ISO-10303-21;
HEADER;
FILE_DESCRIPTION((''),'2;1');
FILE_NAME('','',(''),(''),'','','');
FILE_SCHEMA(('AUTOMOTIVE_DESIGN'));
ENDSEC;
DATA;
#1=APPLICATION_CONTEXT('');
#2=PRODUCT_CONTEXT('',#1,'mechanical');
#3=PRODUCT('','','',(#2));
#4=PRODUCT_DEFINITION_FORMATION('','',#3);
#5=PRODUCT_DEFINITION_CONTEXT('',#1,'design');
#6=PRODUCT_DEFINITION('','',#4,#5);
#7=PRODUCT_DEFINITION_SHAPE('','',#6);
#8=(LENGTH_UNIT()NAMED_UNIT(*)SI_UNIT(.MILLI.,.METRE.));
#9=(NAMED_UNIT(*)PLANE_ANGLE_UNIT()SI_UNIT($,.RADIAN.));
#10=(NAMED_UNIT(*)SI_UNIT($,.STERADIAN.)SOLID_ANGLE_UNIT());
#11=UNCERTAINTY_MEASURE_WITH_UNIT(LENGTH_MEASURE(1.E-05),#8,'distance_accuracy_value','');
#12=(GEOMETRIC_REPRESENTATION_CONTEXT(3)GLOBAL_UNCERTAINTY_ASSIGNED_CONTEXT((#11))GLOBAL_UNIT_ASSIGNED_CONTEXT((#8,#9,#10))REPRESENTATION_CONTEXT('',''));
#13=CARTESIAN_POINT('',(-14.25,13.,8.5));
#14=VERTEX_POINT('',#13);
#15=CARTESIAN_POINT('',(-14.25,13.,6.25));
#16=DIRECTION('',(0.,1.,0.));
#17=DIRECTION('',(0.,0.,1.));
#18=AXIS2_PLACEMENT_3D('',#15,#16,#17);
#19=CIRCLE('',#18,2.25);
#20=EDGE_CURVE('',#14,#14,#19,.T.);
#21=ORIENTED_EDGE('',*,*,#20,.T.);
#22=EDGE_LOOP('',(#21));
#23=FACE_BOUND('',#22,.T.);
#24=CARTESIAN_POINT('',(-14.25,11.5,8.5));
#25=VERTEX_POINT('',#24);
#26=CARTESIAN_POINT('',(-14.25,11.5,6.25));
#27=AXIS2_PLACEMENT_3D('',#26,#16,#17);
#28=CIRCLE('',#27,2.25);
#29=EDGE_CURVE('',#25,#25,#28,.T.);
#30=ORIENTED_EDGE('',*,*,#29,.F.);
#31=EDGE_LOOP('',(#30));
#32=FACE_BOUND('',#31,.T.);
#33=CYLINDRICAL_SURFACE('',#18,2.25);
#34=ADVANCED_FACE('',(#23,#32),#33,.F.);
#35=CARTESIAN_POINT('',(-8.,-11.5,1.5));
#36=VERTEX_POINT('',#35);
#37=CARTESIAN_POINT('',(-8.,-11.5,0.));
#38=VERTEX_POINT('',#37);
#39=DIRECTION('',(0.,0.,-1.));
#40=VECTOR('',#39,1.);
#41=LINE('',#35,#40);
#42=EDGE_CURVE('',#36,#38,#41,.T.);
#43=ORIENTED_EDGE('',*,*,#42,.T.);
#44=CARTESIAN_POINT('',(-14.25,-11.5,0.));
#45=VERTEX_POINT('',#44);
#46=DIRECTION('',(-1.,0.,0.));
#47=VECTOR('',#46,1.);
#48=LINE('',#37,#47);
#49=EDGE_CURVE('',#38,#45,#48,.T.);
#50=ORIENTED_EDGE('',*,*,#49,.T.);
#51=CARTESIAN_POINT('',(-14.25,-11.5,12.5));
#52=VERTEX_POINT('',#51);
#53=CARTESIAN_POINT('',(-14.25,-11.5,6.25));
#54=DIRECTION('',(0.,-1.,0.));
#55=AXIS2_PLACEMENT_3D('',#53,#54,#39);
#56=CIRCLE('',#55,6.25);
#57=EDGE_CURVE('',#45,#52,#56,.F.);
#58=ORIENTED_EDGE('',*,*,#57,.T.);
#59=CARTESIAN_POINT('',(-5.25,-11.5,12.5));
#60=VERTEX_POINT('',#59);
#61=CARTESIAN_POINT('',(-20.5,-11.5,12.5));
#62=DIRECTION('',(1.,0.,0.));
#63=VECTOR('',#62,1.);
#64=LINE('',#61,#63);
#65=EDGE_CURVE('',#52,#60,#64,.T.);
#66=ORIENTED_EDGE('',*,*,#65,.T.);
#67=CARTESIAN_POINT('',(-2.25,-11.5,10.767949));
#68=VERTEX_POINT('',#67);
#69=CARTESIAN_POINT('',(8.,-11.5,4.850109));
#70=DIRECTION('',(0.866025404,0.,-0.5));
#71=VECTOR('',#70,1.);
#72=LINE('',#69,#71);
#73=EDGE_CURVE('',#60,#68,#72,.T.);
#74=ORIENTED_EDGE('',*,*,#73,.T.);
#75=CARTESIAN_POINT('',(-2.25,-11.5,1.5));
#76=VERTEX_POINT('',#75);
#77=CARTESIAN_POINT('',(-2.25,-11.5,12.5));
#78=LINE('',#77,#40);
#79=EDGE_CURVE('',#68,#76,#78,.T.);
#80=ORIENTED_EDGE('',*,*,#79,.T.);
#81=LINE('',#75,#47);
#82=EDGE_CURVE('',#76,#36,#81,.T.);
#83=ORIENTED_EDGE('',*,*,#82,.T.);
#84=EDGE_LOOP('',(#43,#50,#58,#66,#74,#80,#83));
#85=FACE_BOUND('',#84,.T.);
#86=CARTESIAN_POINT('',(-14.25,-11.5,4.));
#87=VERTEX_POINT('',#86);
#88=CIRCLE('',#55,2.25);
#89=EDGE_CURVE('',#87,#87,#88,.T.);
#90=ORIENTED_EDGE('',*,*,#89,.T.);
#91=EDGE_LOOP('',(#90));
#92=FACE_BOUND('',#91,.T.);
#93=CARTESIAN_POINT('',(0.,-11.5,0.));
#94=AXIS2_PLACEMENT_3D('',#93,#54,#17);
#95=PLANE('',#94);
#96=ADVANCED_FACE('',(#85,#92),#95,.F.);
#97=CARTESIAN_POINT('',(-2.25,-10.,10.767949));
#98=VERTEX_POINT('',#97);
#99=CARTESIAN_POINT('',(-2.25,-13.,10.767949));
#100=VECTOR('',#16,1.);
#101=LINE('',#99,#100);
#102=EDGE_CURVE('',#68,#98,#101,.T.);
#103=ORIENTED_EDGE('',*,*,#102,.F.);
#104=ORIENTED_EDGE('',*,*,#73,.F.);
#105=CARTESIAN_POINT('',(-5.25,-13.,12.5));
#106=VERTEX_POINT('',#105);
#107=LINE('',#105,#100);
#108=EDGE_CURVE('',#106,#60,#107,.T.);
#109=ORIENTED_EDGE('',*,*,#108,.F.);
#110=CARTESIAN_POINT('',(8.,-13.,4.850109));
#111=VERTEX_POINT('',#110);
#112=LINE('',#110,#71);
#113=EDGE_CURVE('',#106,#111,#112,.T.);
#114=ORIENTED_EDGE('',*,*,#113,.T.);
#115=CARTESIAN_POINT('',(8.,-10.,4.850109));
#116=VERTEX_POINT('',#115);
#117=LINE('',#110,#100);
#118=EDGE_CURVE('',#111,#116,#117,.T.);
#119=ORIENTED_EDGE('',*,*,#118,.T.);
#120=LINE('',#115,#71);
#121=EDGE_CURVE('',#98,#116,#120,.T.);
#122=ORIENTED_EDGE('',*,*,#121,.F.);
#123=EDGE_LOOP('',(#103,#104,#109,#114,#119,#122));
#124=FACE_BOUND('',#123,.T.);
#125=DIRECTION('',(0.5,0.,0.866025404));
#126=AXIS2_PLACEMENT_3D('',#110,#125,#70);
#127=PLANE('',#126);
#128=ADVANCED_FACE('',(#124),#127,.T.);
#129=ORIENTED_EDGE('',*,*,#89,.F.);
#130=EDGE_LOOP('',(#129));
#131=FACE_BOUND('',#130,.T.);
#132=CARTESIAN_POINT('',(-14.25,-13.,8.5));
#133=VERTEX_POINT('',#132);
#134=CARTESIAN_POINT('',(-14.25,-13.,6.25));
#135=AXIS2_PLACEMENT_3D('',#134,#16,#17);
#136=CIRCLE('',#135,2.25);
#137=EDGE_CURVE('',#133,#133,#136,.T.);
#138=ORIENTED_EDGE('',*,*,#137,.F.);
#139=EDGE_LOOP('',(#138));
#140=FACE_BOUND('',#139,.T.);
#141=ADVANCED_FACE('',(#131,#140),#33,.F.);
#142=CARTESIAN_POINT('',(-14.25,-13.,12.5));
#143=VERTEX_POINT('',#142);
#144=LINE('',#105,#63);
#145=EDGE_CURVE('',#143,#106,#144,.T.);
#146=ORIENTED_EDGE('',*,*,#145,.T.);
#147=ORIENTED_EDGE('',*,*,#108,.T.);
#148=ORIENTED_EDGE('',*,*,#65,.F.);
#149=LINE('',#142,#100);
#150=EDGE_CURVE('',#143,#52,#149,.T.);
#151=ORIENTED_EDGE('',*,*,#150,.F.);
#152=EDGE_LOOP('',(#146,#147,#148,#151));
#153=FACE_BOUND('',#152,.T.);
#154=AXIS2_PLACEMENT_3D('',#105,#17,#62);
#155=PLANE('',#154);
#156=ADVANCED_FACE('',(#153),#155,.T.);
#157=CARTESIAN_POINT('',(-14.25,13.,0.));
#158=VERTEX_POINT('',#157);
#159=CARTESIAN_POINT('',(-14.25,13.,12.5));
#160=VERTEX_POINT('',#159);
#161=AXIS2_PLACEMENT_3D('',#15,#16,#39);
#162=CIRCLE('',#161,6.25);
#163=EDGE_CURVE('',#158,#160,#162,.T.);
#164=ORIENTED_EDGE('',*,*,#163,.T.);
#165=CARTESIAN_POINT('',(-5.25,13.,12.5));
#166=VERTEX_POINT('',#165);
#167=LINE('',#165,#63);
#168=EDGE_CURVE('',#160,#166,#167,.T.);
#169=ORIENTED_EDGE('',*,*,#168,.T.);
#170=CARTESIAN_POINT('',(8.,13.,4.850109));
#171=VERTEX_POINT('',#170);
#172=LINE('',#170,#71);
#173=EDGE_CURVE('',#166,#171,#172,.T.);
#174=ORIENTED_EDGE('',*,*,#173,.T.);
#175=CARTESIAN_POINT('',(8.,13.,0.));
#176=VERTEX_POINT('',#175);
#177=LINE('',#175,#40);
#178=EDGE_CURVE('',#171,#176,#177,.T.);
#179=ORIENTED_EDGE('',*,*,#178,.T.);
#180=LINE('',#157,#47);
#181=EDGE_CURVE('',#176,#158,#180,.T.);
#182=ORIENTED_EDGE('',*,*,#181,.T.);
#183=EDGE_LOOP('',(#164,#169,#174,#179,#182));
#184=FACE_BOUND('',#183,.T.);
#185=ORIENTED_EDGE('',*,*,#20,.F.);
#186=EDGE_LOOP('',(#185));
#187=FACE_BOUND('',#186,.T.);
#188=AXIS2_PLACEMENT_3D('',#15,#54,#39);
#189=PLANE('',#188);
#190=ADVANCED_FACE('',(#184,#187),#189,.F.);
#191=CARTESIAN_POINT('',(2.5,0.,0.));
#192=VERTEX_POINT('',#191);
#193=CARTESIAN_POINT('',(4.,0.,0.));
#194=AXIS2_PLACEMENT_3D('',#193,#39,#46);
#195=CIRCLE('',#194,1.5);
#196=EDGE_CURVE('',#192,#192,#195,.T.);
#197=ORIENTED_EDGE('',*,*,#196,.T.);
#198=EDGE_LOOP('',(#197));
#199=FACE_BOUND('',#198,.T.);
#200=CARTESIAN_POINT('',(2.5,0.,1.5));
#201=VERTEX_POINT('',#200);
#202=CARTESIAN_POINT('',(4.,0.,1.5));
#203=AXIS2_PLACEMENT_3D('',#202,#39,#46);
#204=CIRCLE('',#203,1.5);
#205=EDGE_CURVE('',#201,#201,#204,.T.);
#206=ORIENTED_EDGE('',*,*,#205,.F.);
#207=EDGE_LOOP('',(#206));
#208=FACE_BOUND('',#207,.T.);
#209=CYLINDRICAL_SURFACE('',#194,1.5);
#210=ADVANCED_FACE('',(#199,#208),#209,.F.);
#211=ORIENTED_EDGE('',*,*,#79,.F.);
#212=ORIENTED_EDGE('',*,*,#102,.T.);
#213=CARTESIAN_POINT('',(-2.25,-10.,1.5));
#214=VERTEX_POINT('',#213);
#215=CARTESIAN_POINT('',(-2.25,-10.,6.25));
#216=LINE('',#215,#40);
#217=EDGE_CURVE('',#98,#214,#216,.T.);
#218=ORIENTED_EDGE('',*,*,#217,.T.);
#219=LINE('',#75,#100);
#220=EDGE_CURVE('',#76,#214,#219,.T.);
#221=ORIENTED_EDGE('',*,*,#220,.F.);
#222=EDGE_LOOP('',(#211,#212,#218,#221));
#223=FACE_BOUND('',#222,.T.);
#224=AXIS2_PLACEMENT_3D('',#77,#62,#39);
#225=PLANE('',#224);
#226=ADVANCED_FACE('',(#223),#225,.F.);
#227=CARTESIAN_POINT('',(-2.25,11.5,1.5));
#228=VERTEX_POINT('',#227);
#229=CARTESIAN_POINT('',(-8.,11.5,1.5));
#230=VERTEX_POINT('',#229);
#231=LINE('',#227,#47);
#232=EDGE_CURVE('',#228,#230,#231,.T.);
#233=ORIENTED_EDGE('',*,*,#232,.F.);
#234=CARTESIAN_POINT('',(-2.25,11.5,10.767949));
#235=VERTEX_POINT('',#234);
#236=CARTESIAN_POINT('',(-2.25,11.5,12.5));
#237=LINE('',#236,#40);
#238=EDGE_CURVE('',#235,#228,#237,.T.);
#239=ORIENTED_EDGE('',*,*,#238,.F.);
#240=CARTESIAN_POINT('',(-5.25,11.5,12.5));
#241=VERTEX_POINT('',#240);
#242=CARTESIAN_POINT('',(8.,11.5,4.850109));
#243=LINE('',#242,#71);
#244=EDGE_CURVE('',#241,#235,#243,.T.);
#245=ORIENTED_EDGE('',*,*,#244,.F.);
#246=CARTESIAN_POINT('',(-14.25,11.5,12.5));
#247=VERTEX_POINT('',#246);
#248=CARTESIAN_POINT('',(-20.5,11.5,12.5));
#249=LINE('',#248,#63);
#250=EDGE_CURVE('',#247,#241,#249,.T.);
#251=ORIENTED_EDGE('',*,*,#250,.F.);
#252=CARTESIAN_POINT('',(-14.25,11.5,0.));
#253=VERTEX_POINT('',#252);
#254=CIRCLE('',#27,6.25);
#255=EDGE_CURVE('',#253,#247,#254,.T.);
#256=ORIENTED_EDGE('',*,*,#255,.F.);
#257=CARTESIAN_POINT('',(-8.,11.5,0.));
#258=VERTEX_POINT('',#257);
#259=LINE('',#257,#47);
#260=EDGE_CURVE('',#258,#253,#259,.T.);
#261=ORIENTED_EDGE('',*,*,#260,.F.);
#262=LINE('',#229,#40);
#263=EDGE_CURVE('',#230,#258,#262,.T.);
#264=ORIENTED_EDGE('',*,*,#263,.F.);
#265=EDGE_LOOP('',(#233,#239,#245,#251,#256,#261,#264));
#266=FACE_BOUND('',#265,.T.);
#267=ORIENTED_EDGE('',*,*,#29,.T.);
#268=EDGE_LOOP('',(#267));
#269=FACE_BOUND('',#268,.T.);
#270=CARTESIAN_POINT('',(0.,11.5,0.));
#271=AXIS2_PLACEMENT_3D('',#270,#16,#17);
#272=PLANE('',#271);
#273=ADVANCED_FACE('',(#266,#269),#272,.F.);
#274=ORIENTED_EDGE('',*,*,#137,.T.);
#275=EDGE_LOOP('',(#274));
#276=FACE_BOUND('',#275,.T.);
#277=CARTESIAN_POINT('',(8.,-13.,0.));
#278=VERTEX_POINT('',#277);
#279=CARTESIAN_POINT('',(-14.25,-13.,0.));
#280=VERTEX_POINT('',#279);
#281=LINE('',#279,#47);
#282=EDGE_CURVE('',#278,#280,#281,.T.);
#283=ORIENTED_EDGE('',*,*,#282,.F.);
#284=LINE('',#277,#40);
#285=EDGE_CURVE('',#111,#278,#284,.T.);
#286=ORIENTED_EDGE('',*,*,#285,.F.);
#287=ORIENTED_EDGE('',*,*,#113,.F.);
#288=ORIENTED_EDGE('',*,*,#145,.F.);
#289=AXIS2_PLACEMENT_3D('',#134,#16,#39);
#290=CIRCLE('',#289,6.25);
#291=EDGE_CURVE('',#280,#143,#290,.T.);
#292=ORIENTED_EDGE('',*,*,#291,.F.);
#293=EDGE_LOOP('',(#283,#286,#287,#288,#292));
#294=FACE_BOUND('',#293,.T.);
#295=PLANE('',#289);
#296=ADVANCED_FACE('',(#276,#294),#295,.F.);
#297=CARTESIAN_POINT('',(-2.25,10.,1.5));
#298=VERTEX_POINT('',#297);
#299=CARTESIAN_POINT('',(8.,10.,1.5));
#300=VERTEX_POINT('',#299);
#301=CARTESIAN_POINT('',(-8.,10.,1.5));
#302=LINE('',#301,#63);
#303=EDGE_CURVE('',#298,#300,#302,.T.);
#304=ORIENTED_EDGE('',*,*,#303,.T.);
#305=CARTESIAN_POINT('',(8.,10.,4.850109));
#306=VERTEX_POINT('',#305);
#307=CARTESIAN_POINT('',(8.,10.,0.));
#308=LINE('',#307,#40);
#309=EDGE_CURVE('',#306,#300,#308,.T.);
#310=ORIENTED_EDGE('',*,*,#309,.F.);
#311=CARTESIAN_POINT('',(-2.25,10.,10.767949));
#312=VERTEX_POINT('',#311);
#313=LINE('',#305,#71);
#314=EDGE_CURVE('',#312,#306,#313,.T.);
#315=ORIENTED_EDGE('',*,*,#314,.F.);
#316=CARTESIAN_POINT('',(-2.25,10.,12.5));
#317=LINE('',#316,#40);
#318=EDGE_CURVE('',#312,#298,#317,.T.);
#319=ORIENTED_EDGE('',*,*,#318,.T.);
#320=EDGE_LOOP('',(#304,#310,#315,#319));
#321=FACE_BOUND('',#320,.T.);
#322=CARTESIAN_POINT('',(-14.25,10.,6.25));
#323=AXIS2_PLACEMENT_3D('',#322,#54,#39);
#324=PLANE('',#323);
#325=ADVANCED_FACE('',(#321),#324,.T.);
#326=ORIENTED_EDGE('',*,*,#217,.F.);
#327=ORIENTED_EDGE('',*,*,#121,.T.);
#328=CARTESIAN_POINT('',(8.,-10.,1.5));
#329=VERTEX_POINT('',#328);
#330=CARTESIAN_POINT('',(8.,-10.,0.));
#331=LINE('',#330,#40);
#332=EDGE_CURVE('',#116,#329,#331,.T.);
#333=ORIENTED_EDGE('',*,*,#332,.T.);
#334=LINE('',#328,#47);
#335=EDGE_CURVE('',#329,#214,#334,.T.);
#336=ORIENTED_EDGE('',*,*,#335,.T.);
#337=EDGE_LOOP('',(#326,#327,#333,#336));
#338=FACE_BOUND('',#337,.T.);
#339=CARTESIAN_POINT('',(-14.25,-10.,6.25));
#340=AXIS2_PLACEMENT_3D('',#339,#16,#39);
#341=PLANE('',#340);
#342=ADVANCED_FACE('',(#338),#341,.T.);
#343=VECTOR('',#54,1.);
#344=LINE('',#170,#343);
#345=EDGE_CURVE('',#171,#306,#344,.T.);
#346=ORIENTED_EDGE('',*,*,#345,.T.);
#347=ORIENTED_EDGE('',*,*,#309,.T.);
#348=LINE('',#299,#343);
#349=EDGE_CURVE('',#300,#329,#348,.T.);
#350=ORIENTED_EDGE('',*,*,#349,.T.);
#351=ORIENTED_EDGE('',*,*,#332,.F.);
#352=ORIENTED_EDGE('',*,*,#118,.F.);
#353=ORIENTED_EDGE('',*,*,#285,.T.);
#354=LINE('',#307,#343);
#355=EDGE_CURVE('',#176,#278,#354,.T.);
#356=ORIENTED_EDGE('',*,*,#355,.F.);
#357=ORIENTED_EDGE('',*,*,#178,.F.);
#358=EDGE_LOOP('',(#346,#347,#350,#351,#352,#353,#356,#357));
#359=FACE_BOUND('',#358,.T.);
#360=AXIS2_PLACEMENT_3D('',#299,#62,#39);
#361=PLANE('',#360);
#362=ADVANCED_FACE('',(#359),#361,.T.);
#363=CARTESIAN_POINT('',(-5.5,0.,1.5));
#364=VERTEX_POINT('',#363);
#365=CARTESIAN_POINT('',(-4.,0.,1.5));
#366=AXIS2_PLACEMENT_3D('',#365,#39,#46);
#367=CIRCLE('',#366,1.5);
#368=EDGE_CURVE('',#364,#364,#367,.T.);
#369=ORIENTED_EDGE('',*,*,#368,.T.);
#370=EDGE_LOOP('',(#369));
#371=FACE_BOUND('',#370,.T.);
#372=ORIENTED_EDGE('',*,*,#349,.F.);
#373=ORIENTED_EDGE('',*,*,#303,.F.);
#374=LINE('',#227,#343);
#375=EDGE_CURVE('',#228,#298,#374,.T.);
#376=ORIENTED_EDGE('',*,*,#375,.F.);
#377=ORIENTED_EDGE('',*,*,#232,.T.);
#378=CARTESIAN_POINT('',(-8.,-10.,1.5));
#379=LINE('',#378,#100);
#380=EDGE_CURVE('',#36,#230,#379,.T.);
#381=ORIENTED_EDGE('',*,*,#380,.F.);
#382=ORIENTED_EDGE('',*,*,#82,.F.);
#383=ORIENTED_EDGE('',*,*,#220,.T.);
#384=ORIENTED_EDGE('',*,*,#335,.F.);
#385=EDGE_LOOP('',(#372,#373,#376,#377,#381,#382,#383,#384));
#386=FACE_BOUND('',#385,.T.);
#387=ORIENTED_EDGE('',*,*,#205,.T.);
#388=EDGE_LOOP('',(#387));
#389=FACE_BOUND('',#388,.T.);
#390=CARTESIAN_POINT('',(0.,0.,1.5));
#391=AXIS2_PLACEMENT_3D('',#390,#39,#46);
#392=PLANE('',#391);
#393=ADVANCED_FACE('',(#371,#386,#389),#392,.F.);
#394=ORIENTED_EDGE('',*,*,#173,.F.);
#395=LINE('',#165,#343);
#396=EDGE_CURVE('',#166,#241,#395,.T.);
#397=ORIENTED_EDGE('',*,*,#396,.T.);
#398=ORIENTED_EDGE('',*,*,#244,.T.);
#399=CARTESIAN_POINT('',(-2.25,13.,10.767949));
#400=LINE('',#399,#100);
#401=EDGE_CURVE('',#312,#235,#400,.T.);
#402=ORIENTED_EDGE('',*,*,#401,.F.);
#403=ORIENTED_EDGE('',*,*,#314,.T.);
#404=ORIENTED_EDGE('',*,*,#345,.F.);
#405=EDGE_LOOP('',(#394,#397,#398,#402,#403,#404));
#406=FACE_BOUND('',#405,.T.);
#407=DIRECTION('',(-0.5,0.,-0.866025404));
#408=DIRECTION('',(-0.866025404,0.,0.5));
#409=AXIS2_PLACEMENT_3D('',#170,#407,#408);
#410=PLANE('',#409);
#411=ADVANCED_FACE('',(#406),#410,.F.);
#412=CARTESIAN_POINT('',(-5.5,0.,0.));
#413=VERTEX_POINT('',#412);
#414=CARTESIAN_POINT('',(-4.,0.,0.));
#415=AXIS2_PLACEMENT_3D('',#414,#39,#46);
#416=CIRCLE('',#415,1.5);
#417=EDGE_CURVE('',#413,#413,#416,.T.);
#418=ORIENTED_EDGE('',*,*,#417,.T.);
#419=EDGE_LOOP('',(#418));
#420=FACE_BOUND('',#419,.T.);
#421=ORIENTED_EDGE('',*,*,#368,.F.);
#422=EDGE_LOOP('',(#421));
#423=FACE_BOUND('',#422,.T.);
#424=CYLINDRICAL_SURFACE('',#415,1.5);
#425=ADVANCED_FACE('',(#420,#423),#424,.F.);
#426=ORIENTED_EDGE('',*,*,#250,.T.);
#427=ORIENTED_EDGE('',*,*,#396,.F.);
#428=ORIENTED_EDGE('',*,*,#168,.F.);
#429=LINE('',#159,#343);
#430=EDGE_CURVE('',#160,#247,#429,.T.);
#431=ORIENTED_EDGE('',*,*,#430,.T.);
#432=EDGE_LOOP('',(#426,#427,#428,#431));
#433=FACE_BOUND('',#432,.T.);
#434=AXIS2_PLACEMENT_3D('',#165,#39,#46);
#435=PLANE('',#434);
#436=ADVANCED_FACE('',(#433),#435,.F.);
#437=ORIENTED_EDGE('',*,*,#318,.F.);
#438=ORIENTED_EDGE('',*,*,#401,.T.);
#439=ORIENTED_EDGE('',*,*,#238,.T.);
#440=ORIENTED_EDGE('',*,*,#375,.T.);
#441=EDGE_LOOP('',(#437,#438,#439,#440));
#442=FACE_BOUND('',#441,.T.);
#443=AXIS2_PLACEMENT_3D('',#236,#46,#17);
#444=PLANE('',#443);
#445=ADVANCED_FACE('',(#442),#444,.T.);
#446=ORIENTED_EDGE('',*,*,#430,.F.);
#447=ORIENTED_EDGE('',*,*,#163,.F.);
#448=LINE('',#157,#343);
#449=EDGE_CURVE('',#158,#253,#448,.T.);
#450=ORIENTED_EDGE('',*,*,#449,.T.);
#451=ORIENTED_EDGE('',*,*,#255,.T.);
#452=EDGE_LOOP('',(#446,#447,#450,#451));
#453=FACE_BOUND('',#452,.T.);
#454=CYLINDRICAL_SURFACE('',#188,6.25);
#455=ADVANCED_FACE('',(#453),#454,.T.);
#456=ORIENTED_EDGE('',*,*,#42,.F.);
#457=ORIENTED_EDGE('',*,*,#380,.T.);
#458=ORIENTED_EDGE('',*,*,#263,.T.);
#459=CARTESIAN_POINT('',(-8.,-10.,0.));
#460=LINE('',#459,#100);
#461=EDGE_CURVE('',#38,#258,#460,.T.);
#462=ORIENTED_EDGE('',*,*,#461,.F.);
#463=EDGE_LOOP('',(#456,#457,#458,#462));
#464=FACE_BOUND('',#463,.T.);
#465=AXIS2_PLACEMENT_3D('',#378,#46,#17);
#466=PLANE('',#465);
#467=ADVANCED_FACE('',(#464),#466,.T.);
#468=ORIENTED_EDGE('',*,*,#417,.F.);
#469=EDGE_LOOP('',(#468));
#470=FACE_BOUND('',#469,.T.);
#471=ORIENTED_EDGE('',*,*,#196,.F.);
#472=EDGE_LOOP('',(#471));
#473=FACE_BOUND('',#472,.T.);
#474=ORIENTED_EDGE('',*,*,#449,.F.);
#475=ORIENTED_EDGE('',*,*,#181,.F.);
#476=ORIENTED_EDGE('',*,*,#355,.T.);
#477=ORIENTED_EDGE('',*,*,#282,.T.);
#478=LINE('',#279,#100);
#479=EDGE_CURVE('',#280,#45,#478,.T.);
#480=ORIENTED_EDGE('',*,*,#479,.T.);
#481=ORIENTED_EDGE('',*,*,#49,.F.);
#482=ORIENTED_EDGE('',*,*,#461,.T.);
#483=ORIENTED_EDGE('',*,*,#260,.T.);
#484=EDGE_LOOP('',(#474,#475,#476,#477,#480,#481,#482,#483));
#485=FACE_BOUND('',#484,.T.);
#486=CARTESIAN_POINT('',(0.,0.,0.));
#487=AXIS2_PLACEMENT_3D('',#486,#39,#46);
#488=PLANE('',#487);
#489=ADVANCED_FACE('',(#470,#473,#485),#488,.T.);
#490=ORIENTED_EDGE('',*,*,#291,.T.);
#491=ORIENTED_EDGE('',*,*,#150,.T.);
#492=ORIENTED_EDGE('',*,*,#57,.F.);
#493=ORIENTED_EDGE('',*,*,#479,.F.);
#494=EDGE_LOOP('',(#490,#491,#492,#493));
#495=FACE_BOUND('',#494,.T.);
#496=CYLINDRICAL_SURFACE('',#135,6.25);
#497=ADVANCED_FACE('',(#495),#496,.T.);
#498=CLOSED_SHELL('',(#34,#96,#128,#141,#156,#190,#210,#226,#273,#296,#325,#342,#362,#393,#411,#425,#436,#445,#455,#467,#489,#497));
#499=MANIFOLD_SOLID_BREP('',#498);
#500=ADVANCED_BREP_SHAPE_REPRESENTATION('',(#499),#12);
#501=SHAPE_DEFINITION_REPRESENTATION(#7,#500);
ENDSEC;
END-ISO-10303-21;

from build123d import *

# Parameters (mm, degrees)
SKETCH1_W                    = 16
SKETCH1_H                    = 20
BOSS_EXTRUDE1_DEPTH          = 1.5
BOSS_EXTRUDE2_DEPTH          = 3
CUT_EXTRUDE1_DEPTH           = 1.5
F_4_5_4_5_DIAMETER_HOLE1_D   = 4.5
F_3_0_3_DIAMETER_HOLE1_D     = 3
F_3_0_3_DIAMETER_HOLE1_DEPTH = 12.5


with BuildPart() as part:
    # Sketch1 → Boss-Extrude1 (new body)
    with BuildSketch(Plane(origin=(0, 0, 0), x_dir=(-1, 0, 0), z_dir=(0, 0, -1))):
        Rectangle(SKETCH1_W, SKETCH1_H)
    extrude(amount=-BOSS_EXTRUDE1_DEPTH)

    # Sketch2 → Boss-Extrude2 (add)
    with BuildSketch(Plane(origin=(0, 10, 0), x_dir=(-1, 0, 0), z_dir=(0, 1, 0))):
        with BuildLine():
            Line((14.25, 0), (-8, 0))
            Line((-8, 0), (-8, 4.850108933))
            Line((-8, 4.850108933), (5.25, 12.5))
            Line((5.25, 12.5), (14.25, 12.5))
            ThreePointArc((14.25, 12.5), (20.5, 6.25), (14.25, 0))
        make_face()
    boss_extrude2 = extrude(amount=BOSS_EXTRUDE2_DEPTH)

    # Mirror1: Boss-Extrude2 across plane
    add(boss_extrude2.mirror(Plane.ZX))

    # Sketch4 → Cut-Extrude1 (cut)
    with BuildSketch(Plane(origin=(0, 10, 0), x_dir=(1, 0, 0), z_dir=(0, 1, 0))):
        Polygon((-20.5, -12.5), (-2.25, -12.5), (-2.25, -1.5), (-8, -1.5), (-8, 0), (-20.5, 0), align=None)
    cut_extrude1 = extrude(amount=CUT_EXTRUDE1_DEPTH, mode=Mode.SUBTRACT)

    # Mirror2: Cut-Extrude1 across plane
    add(cut_extrude1.mirror(Plane.ZX), mode=Mode.SUBTRACT)

    # Ø4.5 (4.5) Diameter Hole1 (through all)
    with Locations(Plane(origin=(0, 13, 0), x_dir=(-1, 0, 0), z_dir=(0, 1, 0))):
        with Locations((14.25, 6.25)):
            f_4_5_4_5_diameter_hole1 = Hole(F_4_5_4_5_DIAMETER_HOLE1_D / 2)

    # Mirror3: Ø4.5 (4.5) Diameter Hole1 across plane
    add(f_4_5_4_5_diameter_hole1.mirror(Plane.ZX), mode=Mode.SUBTRACT)

    # Ø3.0 (3) Diameter Hole1
    with Locations(Plane(origin=(0, 0, 0), x_dir=(-1, 0, 0), z_dir=(0, 0, -1))):
        with Locations((-4, 0), (4, 0)):
            Hole(F_3_0_3_DIAMETER_HOLE1_D / 2, depth=F_3_0_3_DIAMETER_HOLE1_DEPTH)


solid = part.part
